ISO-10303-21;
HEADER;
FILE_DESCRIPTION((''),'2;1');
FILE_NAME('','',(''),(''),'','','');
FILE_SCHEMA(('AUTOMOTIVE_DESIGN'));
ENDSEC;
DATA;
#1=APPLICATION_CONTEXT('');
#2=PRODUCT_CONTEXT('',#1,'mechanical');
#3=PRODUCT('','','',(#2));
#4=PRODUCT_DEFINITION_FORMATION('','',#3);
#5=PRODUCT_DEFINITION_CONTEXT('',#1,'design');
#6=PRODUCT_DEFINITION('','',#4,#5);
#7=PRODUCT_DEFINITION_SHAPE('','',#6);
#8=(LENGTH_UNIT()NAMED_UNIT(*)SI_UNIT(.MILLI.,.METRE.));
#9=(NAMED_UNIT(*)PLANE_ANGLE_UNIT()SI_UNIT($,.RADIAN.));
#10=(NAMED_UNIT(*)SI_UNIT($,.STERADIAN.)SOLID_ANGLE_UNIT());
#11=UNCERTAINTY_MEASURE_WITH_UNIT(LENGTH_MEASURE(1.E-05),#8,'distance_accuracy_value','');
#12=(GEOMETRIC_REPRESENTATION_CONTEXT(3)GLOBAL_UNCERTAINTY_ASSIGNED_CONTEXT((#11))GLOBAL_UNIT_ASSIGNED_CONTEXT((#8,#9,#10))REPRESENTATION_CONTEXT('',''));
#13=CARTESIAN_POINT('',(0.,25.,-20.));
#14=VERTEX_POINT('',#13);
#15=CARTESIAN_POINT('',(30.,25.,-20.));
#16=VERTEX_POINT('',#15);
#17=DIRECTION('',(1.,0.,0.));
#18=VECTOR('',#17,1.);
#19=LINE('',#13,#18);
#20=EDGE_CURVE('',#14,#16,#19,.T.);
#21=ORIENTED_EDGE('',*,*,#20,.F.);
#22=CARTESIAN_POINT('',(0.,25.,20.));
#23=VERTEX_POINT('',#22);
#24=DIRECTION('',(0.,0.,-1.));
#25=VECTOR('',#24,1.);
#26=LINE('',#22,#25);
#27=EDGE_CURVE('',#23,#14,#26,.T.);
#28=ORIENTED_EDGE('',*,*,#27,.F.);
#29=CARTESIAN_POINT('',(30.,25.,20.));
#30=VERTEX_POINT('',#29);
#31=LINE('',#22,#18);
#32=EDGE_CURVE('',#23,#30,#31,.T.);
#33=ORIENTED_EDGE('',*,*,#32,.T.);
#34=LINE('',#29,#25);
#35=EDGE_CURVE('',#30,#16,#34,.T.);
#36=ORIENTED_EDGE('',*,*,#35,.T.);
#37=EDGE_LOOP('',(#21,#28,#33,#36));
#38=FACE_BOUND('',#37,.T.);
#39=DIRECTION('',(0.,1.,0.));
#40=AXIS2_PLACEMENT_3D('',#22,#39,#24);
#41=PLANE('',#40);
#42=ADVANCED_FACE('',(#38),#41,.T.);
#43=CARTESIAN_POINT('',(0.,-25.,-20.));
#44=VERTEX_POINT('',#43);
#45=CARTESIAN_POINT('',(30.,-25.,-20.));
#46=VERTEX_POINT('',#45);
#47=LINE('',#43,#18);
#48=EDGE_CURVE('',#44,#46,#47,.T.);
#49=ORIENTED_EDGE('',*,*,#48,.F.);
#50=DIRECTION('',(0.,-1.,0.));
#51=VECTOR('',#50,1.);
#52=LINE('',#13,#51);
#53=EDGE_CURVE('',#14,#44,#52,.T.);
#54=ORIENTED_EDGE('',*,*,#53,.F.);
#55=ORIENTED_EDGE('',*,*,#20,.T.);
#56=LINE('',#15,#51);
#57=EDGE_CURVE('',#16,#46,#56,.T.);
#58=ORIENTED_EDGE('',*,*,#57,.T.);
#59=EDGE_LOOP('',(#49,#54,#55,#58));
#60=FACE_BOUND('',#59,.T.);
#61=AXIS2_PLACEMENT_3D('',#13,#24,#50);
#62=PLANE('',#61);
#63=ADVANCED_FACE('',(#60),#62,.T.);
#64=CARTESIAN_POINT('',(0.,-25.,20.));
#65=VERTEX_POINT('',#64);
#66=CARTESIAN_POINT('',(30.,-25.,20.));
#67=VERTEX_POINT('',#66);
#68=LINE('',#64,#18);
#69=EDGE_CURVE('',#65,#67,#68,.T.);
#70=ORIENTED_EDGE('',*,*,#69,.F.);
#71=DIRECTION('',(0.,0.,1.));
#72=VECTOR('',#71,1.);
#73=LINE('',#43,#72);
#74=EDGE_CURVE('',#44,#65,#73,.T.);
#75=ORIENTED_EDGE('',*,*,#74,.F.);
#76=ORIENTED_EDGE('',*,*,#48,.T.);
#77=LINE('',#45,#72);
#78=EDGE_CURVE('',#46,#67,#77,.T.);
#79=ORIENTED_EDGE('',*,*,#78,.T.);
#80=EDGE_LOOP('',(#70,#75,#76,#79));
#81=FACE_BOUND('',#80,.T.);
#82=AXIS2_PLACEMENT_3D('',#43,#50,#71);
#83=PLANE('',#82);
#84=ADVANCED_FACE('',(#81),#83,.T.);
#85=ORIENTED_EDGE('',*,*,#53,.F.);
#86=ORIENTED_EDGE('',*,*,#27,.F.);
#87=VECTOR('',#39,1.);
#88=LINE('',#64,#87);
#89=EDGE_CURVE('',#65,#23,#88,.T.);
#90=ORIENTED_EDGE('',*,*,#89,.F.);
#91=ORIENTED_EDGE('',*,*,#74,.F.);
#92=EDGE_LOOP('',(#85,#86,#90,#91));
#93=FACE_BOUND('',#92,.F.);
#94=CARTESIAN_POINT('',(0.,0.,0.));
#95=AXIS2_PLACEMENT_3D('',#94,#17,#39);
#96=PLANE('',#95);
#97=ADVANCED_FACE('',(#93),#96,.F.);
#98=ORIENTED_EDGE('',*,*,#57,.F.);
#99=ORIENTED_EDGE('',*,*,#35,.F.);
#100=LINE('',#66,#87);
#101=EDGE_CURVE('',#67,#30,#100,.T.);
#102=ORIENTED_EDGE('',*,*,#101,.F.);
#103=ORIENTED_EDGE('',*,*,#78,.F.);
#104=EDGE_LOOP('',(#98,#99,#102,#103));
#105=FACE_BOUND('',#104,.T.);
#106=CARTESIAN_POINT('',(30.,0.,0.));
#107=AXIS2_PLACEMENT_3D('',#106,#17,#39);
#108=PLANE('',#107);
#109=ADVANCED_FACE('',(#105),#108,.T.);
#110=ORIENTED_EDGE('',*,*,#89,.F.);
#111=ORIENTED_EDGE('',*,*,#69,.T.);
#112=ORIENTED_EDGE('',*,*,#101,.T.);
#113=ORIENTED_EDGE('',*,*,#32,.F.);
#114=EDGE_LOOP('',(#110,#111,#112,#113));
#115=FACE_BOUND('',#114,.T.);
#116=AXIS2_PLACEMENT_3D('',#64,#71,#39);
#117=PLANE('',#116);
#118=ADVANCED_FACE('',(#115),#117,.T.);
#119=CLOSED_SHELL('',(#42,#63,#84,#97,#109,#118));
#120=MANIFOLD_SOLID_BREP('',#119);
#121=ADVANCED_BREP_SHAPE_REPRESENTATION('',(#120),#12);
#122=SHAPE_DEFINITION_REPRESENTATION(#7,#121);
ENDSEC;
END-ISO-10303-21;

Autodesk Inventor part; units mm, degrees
ref_plane "YZ Plane" through (0, 0, 0) normal (1, 0, 0) x (0, 1, 0)
ref_plane "XZ Plane" through (0, 0, 0) normal (0, 1, 0) x (-1, 0, 0)
ref_plane "XY Plane" through (0, 0, 0) normal (0, 0, 1) x (1, 0, 0)
sketch "Sketch1" plane through (0, 0, 0) normal (1, 0, 0) x (0, 1, 0)
  line L0 (-25, 20) -> (25, 20)
  line L1 (25, 20) -> (25, -20)
  line L2 (25, -20) -> (-25, -20)
  line L3 (-25, -20) -> (-25, 20)
  line L4 (-25, 20) -> (25, -20) construction
  line L5 (25, 20) -> (-25, -20) construction
  point P0 (0, 0)
  dimension "d0" = 50
  dimension "d1" = 40
extrude "Extrusion1" add sketch "Sketch1" along normal blind 30
properties part number "Moving Box"
